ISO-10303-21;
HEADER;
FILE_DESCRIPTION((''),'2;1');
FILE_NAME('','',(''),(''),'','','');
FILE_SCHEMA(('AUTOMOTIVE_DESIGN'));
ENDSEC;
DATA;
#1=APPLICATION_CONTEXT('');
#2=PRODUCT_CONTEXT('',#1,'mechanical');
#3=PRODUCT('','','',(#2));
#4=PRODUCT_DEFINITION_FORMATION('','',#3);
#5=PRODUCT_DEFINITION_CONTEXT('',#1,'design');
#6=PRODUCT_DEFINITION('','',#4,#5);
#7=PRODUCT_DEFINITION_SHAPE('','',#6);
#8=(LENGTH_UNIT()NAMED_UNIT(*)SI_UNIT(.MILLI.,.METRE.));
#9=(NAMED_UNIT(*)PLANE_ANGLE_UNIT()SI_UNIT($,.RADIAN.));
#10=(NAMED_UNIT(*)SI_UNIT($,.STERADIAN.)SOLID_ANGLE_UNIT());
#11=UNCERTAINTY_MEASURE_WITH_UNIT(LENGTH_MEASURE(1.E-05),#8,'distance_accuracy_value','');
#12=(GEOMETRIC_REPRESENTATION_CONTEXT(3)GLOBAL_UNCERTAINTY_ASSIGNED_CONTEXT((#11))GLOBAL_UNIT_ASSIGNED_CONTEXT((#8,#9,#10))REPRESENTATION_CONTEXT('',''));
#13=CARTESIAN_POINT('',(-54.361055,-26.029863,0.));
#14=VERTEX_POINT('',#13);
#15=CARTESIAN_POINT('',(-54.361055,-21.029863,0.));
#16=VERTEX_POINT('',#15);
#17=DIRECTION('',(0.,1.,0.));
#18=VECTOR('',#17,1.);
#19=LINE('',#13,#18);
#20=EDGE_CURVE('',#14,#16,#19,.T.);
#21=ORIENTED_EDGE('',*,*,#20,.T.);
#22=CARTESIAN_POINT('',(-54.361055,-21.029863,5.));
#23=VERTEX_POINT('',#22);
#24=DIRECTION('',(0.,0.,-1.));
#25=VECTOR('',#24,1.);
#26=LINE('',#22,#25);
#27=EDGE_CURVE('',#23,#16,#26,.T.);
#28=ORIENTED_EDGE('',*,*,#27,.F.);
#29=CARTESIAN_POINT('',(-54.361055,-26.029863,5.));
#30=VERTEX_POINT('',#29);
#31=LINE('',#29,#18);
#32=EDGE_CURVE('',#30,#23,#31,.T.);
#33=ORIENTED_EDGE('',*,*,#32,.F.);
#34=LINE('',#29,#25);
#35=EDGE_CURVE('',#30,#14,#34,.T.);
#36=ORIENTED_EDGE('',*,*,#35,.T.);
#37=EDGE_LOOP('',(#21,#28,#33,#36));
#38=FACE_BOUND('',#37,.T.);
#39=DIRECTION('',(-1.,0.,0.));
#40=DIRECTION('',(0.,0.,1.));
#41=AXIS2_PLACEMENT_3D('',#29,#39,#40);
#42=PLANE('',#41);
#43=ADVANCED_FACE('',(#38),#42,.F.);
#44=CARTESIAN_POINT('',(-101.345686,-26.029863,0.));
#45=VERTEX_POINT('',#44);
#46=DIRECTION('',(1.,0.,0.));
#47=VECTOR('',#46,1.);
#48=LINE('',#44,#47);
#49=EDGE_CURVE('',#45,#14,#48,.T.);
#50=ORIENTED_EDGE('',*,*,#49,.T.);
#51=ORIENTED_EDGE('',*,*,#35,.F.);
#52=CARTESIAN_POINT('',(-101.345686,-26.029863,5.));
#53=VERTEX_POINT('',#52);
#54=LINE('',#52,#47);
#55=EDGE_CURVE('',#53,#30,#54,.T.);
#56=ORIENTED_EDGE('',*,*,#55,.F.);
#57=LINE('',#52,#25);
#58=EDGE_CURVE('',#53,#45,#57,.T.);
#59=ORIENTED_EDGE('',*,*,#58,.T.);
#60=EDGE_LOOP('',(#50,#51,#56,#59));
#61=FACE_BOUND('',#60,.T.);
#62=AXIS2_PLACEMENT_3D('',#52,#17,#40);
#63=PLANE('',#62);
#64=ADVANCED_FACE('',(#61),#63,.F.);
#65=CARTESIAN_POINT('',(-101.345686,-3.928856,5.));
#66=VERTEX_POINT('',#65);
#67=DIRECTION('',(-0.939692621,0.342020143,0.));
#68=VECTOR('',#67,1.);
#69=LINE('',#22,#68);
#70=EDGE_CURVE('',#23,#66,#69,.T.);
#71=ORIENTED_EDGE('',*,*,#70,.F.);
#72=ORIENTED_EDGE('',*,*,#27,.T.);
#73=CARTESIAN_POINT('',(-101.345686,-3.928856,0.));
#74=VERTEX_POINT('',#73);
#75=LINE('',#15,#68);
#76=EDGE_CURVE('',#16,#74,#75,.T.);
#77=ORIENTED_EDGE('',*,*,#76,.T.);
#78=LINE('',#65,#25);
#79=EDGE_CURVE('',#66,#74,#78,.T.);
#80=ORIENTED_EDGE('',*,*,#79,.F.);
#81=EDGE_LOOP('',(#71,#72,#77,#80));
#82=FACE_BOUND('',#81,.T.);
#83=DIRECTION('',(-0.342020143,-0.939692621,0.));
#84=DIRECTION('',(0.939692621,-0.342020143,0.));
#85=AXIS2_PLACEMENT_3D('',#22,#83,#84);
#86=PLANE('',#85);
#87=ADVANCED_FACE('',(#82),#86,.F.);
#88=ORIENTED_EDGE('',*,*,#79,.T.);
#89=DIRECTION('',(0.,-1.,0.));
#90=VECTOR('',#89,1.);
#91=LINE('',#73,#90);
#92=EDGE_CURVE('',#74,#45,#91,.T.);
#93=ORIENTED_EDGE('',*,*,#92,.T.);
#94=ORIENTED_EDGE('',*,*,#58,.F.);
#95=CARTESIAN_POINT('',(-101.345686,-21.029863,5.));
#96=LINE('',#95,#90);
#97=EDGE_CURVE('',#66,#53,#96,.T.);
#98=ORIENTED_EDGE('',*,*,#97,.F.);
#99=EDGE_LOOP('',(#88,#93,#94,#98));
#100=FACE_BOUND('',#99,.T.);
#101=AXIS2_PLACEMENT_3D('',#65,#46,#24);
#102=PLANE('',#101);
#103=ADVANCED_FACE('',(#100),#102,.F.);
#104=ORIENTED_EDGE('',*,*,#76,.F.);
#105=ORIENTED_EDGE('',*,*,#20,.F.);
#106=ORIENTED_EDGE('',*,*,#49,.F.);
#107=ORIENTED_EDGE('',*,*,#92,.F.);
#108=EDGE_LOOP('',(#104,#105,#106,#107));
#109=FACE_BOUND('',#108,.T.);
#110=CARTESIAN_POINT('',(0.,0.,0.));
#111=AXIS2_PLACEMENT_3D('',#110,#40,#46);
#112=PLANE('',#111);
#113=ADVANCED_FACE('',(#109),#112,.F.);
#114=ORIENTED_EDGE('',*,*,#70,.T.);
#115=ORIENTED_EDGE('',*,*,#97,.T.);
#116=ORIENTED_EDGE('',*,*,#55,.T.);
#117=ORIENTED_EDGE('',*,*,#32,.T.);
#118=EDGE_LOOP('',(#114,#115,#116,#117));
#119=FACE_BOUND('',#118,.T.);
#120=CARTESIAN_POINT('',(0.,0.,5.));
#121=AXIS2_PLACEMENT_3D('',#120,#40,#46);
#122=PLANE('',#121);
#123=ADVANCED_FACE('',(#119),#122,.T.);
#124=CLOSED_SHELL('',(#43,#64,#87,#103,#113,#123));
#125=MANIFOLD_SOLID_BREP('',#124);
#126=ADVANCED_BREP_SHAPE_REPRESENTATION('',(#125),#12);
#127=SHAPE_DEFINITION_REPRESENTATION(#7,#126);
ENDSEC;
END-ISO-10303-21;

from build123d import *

# Parameters (mm, degrees)
BOSS_EXTRU_1_DEPTH = 5


with BuildPart() as part:
    # Esquisse1 → Boss.-Extru.1 (new body)
    with BuildSketch(Plane.XY):
        Polygon((-54.361055156, -21.029863319), (-101.345686196, -3.928856153), (-101.345686196, -21.029863319), (-101.345686196, -26.029863319), (-54.361055156, -26.029863319), align=None)
    extrude(amount=BOSS_EXTRU_1_DEPTH)


solid = part.part
